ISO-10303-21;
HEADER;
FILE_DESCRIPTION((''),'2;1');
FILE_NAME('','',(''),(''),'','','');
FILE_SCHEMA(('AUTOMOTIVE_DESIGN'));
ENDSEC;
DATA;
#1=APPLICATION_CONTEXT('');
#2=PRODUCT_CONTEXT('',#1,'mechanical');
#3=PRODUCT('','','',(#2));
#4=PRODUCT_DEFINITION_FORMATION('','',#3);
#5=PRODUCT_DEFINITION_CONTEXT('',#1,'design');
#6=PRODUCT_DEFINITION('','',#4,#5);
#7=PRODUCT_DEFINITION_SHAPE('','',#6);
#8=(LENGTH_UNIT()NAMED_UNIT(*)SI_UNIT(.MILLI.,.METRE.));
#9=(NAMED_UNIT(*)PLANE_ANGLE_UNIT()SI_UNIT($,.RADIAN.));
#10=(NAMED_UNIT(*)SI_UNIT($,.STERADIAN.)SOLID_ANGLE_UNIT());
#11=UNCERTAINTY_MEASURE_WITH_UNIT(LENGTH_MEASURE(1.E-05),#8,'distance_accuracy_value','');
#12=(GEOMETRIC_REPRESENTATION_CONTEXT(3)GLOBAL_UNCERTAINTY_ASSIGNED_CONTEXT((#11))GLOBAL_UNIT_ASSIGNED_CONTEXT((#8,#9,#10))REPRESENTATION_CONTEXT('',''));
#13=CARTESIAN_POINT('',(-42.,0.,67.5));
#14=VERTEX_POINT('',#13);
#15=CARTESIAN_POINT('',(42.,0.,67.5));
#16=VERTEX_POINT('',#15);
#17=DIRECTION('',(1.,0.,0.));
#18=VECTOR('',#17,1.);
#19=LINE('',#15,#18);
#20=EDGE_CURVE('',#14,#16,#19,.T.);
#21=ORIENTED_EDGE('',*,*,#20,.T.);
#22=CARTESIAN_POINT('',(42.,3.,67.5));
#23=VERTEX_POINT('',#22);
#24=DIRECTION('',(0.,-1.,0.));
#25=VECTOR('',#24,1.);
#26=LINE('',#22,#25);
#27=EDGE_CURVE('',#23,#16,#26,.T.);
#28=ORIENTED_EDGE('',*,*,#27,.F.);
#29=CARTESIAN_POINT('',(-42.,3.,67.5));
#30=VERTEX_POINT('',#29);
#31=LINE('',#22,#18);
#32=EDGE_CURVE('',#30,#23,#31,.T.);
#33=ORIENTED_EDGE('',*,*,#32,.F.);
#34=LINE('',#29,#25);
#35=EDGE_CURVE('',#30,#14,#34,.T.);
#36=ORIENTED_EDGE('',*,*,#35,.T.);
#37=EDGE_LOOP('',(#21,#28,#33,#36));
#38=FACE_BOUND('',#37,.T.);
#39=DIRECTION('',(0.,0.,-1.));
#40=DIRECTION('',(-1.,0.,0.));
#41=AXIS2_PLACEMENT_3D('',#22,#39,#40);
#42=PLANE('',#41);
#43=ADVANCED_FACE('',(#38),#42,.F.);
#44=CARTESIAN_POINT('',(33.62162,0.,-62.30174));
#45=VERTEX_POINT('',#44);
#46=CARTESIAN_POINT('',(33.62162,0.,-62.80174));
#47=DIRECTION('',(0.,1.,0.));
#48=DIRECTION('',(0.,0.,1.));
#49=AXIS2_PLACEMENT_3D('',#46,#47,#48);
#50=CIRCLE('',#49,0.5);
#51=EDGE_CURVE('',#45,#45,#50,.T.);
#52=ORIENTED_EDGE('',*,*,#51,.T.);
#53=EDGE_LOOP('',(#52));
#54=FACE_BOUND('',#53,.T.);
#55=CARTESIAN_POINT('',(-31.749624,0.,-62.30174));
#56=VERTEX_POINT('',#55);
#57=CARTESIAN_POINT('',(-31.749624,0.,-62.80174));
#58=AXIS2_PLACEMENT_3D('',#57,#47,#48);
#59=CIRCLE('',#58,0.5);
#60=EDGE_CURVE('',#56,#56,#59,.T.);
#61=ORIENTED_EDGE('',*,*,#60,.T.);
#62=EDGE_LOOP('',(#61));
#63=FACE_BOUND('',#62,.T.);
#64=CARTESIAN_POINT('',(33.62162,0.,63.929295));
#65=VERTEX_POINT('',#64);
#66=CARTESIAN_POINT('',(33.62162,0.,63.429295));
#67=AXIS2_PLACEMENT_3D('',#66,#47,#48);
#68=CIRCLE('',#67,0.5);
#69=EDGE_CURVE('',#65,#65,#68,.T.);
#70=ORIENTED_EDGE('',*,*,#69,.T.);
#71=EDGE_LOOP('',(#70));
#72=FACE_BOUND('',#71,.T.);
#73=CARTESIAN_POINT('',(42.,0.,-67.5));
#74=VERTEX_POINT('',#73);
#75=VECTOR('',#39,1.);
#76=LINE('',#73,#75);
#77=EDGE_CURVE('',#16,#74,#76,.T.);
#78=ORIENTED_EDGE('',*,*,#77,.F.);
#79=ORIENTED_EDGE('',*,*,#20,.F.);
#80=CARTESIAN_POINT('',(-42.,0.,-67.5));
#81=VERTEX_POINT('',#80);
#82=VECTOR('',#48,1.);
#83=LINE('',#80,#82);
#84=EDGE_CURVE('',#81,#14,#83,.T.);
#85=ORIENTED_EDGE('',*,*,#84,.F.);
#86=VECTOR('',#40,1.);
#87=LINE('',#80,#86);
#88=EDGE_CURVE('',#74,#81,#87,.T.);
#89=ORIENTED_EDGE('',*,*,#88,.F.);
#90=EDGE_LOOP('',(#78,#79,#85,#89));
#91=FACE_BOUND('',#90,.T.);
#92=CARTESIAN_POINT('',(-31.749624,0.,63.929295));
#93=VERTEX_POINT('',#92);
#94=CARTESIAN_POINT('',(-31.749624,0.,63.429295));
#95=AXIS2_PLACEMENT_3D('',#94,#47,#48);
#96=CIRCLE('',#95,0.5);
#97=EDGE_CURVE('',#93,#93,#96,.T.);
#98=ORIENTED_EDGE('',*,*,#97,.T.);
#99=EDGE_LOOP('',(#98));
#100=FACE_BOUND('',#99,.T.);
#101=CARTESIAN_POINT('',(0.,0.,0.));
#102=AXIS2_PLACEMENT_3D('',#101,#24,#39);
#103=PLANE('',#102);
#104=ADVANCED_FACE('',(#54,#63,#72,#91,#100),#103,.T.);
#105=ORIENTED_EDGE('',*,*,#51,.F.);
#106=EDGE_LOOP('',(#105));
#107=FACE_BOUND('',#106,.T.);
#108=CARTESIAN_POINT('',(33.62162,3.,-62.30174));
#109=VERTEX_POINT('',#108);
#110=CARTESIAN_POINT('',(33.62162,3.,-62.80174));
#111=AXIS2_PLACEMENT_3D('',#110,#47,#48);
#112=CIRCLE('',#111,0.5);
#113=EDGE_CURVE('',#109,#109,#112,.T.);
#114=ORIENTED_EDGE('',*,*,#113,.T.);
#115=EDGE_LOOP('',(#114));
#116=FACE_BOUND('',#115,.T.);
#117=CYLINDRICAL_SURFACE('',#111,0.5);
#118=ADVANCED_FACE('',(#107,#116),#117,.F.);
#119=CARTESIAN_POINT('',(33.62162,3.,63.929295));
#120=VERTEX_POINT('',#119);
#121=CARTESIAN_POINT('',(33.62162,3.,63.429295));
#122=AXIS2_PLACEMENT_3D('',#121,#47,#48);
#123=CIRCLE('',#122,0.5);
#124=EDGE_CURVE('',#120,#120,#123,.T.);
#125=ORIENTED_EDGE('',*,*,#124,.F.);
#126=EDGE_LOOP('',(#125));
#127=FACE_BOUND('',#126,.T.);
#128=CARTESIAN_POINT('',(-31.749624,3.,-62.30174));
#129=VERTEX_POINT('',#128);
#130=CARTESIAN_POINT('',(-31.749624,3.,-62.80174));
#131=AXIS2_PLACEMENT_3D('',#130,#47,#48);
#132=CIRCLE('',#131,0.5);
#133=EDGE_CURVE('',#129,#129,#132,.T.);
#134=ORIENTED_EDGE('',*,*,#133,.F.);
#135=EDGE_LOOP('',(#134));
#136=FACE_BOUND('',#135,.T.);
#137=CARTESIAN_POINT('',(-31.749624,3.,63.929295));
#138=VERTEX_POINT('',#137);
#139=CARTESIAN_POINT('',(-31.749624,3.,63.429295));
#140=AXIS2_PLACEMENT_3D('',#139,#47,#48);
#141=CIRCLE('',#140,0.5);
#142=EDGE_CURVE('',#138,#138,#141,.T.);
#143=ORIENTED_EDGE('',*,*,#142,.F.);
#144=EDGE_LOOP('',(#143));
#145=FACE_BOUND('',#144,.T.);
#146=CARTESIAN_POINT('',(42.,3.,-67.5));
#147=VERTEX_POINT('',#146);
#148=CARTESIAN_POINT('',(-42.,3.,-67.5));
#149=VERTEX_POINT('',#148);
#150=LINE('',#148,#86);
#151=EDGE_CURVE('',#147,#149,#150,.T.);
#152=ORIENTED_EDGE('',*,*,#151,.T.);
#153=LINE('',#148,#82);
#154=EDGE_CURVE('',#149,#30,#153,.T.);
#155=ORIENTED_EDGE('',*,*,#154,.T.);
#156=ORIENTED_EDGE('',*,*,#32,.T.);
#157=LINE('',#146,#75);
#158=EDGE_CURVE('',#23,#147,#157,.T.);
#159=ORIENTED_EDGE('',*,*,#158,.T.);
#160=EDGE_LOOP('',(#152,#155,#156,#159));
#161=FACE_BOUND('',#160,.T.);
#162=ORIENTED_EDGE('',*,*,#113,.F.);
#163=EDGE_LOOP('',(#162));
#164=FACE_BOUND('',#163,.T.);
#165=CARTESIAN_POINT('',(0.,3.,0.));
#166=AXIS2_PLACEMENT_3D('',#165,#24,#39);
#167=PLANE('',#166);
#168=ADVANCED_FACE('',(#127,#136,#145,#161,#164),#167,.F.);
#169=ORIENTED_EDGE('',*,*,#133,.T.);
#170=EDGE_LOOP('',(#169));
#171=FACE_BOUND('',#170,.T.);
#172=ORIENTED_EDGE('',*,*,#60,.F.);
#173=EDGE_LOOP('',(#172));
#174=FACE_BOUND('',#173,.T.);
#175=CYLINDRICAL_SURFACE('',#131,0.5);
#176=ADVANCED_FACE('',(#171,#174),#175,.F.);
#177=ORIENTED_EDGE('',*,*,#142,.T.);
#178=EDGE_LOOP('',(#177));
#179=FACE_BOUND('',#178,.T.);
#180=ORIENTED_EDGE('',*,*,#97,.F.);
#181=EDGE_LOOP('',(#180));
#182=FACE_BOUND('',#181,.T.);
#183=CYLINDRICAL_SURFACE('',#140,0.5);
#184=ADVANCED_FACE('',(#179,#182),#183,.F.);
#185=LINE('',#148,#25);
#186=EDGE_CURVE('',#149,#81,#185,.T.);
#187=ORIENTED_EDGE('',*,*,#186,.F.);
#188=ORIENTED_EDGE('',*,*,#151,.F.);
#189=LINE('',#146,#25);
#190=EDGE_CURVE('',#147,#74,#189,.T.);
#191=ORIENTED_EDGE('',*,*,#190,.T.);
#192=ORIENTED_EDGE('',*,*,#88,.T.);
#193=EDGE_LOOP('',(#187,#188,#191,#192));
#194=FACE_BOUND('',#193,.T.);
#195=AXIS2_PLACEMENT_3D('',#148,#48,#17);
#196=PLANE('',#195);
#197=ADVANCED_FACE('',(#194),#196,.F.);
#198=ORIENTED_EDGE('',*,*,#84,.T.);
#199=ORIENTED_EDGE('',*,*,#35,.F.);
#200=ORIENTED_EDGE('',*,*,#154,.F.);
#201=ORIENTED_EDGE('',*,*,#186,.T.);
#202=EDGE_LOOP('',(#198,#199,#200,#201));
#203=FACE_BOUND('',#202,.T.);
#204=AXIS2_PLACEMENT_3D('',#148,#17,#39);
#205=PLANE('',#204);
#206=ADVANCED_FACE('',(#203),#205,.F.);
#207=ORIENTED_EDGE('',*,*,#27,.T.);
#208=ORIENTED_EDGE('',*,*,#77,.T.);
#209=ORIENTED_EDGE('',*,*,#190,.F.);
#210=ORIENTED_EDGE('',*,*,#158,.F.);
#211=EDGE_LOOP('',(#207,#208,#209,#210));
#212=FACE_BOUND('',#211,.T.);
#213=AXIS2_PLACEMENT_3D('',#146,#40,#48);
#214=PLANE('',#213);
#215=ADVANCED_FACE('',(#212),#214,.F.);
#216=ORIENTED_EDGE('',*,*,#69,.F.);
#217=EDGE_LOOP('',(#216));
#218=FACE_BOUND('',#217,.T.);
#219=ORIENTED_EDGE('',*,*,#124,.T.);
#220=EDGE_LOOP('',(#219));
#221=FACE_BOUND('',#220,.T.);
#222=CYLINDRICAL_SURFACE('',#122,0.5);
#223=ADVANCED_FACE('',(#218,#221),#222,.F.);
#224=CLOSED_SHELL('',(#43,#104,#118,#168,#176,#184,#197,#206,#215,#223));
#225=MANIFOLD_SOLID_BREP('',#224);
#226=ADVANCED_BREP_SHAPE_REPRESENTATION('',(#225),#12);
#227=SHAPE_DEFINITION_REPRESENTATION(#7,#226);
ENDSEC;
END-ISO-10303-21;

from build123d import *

# Parameters (mm, degrees)
ESBO_O1_W                   = 84
ESBO_O1_H                   = 135
RESSALTO_EXTRUS_O1_DEPTH    = 3
FUROS_GUIA_COM_1_0MM4_D     = 1
FUROS_GUIA_COM_1_0MM4_DEPTH = 3
FUROS_GUIA_COM_1_0MM4_TIP   = 0.30043031


with BuildPart() as part:
    # Esboço1 → Ressalto-extrusão1 (new body)
    with BuildSketch(Plane(origin=(0, 0, 0), x_dir=(1, 0, 0), z_dir=(0, 1, 0))):
        Rectangle(ESBO_O1_W, ESBO_O1_H)
    extrude(amount=RESSALTO_EXTRUS_O1_DEPTH)

    # Furos-guia com Ø1.0mm4
    with Locations(Plane(origin=(0, 3, 0), x_dir=(1, 0, 0), z_dir=(0, 1, 0))):
        with Locations((-31.749623822, 62.801740386), (33.621619811, 62.801740386), (-31.749623822, -63.429295078), (33.621619811, -63.429295078)):
            Hole(FUROS_GUIA_COM_1_0MM4_D / 2, depth=FUROS_GUIA_COM_1_0MM4_DEPTH)
            with Locations((0, 0, -(FUROS_GUIA_COM_1_0MM4_DEPTH + FUROS_GUIA_COM_1_0MM4_TIP / 2))):  # 118° drill point
                Cone(0, FUROS_GUIA_COM_1_0MM4_D / 2, FUROS_GUIA_COM_1_0MM4_TIP, mode=Mode.SUBTRACT)


solid = part.part
